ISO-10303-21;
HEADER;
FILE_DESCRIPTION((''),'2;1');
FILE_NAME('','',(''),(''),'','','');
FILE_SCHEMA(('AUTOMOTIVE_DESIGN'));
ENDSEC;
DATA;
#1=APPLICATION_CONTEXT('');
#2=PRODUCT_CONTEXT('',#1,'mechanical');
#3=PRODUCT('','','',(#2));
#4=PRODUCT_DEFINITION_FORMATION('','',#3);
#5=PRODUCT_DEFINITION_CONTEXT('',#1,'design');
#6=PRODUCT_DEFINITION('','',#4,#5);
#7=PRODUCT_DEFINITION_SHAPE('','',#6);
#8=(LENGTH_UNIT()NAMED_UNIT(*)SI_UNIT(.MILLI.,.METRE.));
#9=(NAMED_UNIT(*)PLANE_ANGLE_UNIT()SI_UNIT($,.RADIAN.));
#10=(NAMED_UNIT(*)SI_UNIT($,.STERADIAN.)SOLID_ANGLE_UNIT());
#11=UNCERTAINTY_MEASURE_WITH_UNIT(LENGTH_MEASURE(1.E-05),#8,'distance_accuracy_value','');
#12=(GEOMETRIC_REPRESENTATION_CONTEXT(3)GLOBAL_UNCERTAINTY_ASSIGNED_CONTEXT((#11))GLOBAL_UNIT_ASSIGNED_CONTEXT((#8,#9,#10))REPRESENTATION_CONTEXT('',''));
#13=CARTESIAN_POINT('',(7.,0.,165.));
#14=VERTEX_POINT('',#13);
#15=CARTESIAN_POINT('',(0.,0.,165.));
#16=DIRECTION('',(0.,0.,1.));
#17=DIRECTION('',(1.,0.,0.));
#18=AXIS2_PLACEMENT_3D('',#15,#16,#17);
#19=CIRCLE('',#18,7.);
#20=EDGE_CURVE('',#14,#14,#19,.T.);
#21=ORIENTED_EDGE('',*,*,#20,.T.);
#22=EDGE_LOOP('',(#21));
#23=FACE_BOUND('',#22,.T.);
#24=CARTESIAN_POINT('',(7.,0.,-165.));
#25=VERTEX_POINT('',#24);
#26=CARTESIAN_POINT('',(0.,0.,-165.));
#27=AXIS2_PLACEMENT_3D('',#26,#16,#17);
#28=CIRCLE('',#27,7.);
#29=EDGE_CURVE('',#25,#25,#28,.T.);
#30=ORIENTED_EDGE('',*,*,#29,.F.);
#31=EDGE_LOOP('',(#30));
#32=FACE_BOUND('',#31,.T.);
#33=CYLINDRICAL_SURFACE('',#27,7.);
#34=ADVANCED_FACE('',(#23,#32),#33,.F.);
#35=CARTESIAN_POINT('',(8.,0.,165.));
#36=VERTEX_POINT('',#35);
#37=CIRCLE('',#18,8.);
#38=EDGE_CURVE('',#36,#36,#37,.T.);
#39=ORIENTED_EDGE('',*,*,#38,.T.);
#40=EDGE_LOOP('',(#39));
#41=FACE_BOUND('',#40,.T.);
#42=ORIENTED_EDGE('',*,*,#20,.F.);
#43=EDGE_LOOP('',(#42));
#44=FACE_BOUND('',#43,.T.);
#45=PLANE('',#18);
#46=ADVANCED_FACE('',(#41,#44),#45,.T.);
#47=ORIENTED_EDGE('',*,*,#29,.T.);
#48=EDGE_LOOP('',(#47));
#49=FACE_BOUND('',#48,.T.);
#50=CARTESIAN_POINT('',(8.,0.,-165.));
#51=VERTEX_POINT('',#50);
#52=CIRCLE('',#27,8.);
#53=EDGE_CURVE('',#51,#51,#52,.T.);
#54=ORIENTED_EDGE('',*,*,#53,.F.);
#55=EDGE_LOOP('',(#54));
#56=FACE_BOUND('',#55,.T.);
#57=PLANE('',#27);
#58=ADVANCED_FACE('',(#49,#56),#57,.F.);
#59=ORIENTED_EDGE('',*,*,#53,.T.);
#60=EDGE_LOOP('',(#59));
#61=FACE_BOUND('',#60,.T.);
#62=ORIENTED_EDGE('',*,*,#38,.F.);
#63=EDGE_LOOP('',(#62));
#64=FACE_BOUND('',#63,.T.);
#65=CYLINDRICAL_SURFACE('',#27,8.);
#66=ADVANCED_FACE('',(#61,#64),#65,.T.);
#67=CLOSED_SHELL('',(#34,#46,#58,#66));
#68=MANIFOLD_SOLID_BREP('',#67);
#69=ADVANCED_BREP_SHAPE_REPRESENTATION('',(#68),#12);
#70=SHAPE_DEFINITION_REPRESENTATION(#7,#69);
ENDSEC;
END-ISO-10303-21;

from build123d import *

# Parameters (mm, degrees)
EXTRUDE_2_DEPTH      = 165
EXTRUDE_2_DEPTH_BACK = 165
SKETCH_1_R           = 8
SKETCH_1_R_2         = 7


with BuildPart() as part:
    # Эскиз1 → Бобышка-Вытянуть2 (new, two sides: drawn at the far end of the back side and taken through both)
    with BuildSketch(Plane.XY.offset(-EXTRUDE_2_DEPTH_BACK)):
        Circle(SKETCH_1_R)
        Circle(SKETCH_1_R_2, mode=Mode.SUBTRACT)
    extrude(amount=EXTRUDE_2_DEPTH + EXTRUDE_2_DEPTH_BACK)


solid = part.part
